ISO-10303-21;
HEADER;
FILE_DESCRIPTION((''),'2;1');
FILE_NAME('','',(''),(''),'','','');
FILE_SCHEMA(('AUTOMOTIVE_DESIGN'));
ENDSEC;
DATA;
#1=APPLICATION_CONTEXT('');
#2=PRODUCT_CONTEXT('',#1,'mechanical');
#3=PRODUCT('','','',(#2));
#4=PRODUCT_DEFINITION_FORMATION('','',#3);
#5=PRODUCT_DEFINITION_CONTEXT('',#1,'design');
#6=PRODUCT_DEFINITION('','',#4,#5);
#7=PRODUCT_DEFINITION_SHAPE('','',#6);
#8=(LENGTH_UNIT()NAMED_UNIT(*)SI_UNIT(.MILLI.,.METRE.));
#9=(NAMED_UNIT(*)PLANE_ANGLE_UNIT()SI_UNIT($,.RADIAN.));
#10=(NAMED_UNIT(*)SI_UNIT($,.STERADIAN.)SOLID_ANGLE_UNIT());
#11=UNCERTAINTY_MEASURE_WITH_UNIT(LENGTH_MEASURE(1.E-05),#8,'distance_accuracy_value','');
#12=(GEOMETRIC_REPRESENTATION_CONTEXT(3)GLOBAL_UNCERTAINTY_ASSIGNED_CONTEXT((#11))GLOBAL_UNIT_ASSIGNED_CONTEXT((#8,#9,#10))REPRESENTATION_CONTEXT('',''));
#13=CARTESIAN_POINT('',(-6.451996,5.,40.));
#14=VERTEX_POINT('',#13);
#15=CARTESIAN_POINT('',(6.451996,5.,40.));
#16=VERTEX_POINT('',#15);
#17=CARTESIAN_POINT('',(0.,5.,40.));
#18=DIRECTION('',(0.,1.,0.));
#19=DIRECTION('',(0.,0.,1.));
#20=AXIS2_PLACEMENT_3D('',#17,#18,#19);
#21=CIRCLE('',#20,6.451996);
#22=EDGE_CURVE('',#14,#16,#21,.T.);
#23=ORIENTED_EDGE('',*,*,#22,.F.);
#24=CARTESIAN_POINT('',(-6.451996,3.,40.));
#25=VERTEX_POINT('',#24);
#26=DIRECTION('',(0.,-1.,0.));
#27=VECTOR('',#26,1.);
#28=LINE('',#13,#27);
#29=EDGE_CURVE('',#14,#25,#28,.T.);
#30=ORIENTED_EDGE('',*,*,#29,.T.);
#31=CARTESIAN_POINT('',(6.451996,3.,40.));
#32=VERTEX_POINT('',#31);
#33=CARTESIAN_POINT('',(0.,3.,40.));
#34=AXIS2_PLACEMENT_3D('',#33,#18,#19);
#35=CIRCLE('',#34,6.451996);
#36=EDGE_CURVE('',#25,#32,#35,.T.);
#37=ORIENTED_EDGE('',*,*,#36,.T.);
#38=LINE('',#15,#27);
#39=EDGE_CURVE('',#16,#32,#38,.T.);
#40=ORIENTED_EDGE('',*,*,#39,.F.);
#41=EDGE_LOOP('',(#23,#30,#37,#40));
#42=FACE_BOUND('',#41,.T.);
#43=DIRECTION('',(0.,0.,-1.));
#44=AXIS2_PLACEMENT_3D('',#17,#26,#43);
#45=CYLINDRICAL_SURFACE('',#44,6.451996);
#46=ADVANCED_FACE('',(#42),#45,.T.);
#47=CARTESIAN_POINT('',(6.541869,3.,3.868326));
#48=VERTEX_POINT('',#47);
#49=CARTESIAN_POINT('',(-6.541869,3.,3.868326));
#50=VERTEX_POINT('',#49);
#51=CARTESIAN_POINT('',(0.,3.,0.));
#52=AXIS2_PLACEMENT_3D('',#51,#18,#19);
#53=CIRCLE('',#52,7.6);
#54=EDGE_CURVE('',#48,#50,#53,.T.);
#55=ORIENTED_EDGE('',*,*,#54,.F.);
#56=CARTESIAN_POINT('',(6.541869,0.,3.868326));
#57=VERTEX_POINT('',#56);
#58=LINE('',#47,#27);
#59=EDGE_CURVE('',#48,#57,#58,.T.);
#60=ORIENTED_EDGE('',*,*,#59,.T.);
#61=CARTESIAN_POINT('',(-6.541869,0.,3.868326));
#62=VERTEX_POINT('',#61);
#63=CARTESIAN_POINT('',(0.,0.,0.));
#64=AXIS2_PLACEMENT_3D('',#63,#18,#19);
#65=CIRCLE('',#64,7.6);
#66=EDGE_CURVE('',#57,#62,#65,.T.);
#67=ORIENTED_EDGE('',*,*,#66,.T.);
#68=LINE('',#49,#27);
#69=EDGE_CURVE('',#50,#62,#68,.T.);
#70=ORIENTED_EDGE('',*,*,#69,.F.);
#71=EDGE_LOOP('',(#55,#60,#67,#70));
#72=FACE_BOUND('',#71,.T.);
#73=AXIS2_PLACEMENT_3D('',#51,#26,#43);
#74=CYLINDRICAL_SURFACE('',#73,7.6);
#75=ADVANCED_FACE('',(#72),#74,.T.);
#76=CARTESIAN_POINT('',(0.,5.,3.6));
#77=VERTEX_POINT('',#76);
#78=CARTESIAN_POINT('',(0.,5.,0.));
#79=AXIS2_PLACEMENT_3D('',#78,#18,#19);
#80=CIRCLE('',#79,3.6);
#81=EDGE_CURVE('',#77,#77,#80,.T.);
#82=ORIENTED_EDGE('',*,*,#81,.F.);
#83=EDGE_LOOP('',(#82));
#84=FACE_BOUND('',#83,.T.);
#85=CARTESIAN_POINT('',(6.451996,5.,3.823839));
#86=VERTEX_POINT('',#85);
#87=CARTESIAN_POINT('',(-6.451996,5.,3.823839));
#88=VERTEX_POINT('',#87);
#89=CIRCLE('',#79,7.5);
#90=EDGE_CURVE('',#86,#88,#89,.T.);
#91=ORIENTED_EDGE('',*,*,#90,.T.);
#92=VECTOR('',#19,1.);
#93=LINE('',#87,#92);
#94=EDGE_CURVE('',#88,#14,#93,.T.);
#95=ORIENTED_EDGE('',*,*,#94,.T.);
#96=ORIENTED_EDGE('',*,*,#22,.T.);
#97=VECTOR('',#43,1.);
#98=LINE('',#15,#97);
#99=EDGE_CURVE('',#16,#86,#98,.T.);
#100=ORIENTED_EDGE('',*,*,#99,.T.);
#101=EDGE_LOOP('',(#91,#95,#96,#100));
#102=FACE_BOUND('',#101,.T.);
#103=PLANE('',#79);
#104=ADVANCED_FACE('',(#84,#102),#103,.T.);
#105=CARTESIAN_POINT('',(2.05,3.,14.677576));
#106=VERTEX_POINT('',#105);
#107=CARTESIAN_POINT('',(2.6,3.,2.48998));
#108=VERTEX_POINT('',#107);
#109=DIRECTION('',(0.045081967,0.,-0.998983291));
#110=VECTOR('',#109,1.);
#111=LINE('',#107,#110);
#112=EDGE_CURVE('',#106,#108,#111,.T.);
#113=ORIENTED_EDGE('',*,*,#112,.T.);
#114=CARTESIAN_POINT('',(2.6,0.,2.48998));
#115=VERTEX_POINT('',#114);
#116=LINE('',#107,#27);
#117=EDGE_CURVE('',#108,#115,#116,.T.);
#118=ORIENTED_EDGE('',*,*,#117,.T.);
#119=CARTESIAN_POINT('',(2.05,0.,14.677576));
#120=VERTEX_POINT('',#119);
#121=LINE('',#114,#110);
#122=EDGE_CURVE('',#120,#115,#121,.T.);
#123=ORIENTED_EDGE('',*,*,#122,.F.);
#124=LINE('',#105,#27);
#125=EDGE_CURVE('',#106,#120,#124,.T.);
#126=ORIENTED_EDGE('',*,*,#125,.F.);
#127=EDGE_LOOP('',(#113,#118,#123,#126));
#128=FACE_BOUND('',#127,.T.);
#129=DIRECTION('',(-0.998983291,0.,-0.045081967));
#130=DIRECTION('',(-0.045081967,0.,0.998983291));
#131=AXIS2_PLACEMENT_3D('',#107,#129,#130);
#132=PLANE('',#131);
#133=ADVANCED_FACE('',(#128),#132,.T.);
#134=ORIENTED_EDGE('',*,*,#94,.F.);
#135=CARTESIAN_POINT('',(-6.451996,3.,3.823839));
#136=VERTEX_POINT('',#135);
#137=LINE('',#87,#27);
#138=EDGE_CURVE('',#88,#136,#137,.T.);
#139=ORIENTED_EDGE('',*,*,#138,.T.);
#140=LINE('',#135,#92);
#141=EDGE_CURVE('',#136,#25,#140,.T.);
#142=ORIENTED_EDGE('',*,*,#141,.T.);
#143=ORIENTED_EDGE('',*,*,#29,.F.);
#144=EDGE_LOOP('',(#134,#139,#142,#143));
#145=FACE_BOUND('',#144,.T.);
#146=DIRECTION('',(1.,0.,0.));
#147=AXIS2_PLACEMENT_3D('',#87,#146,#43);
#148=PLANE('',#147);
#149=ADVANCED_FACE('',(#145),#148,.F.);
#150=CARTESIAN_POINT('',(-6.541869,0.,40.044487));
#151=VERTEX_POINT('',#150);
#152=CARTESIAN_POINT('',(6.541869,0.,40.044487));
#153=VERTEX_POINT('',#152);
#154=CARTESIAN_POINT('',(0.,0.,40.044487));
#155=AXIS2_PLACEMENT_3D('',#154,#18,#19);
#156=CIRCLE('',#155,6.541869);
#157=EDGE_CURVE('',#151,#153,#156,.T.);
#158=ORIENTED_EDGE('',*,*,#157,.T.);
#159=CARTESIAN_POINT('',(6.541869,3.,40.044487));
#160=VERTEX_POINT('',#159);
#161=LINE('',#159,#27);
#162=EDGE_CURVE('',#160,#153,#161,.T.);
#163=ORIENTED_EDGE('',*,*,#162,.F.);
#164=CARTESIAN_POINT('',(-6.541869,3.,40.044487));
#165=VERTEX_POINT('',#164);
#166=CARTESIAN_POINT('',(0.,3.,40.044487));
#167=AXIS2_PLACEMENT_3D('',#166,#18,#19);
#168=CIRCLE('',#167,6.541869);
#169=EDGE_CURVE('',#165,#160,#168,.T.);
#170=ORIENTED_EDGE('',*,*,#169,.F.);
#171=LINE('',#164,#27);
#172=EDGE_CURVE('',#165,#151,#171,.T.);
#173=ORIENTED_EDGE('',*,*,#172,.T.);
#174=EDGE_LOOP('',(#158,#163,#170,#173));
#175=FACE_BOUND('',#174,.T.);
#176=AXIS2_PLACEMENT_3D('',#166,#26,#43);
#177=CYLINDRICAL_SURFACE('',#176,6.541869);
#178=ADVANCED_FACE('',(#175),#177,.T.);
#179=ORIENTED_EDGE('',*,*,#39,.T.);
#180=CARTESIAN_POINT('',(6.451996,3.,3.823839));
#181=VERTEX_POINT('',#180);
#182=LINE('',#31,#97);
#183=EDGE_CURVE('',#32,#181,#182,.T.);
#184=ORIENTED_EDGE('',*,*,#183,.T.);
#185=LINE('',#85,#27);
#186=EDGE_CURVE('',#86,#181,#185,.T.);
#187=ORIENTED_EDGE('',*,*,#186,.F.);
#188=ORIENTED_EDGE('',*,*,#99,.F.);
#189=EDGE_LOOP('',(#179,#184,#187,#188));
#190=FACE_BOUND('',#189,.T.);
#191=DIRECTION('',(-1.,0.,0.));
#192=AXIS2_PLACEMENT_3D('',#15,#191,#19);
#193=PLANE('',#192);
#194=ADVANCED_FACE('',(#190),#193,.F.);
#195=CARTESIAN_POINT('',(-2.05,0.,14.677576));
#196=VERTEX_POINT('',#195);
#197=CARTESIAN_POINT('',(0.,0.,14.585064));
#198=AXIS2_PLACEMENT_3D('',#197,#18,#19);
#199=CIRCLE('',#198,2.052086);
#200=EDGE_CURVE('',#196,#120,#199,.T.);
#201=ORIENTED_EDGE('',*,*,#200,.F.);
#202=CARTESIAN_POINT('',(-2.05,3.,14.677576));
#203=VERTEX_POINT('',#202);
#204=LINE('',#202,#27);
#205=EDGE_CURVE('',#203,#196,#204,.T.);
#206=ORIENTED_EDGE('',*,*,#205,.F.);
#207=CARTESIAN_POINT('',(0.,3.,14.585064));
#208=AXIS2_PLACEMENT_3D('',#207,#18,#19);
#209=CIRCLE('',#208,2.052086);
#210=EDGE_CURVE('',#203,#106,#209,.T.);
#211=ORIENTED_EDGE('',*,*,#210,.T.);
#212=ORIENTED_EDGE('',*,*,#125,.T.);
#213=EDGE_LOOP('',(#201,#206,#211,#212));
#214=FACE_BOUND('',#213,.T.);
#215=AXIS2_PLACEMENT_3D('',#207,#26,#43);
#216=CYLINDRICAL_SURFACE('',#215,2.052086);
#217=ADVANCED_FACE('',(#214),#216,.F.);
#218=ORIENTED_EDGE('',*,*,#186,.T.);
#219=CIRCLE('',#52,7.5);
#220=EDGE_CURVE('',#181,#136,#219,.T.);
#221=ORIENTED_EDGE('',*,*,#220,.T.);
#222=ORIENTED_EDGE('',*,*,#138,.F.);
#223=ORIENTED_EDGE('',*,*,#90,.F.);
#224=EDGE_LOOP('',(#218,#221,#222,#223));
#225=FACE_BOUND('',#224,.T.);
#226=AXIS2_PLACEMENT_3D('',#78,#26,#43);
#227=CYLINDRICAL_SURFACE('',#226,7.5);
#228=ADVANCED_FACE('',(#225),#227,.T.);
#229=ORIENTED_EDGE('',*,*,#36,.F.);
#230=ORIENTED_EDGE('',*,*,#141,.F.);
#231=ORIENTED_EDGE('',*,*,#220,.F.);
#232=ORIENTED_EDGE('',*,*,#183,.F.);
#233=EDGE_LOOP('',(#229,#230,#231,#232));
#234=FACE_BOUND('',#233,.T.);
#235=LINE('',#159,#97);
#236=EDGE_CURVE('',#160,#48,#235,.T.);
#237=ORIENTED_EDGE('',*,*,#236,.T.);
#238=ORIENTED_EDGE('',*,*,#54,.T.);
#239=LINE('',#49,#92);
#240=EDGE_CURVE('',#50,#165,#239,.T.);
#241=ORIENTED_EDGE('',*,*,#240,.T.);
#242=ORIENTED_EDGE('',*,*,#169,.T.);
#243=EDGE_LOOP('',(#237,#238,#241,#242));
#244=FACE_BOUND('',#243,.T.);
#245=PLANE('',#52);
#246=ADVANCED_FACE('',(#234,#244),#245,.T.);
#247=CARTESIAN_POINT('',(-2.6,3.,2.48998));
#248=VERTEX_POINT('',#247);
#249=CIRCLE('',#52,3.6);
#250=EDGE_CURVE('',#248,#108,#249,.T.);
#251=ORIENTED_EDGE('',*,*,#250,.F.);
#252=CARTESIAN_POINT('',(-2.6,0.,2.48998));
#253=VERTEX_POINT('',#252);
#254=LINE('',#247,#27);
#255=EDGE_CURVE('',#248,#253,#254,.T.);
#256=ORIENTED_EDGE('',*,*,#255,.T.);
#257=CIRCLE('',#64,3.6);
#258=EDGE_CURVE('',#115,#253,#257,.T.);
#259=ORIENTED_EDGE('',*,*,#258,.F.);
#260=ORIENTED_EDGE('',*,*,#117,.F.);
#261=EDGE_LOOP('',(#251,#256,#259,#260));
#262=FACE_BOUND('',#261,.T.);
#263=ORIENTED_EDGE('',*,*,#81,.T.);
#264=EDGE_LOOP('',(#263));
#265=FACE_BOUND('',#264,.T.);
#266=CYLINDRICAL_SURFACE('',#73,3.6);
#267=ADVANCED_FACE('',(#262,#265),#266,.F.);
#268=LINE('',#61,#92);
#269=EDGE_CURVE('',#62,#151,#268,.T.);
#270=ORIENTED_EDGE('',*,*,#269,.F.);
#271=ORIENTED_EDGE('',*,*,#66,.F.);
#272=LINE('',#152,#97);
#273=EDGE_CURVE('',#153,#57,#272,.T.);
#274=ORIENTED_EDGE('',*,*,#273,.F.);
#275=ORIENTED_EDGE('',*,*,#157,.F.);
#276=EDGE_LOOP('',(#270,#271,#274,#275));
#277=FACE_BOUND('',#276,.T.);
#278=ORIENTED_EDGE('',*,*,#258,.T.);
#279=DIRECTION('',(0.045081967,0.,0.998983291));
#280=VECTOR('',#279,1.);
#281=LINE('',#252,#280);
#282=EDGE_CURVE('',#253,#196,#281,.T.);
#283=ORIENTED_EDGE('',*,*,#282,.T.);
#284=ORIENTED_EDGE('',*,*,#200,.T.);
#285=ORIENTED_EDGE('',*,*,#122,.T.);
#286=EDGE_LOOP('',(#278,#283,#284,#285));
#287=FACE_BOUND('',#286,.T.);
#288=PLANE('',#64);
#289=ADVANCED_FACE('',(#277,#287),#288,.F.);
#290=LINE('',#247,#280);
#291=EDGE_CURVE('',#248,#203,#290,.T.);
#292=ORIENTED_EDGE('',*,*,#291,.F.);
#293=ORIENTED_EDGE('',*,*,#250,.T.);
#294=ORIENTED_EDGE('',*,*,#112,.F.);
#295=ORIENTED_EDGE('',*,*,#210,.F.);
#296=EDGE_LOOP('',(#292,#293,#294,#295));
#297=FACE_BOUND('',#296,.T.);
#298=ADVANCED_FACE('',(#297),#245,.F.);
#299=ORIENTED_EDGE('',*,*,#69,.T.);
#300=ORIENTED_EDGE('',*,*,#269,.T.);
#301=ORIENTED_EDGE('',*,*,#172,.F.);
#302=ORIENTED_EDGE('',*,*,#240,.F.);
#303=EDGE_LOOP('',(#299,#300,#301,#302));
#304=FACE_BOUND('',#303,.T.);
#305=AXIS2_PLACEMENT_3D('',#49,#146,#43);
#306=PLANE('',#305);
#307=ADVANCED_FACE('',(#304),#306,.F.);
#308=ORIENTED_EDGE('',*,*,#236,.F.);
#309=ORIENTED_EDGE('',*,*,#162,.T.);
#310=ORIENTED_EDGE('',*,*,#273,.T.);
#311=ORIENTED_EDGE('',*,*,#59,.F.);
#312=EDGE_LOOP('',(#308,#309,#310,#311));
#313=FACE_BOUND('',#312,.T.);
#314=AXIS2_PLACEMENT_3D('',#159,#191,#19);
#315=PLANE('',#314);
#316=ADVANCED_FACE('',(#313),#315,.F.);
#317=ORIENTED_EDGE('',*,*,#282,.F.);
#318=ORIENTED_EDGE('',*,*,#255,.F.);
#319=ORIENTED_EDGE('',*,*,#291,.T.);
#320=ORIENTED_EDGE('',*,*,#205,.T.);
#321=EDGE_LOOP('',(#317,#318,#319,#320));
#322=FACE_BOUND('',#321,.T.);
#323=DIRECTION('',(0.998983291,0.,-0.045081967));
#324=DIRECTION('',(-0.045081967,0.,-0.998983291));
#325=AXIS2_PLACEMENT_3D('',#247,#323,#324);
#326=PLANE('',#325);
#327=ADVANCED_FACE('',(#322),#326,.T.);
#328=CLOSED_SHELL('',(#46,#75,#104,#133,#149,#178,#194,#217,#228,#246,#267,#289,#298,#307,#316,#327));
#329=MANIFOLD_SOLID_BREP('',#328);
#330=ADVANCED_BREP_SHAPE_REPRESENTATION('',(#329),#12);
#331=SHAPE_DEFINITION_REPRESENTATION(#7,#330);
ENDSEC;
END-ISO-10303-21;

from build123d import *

# Parameters (mm, degrees)
EXTRUDE_1_DEPTH = 3
SKETCH_2_R      = 3.6
EXTRUDE_2_DEPTH = 2


with BuildPart() as part:
    # 草圖1 → 填料-伸長1 (new body)
    with BuildSketch(Plane(origin=(0, 0, 0), x_dir=(1, 0, 0), z_dir=(0, 1, 0))):
        with BuildLine():
            Line((-6.54186917, -3.868326222), (-6.54186917, -40.044486982))
            ThreePointArc((-6.54186917, -40.044486982), (0, -46.586356152), (6.54186917, -40.044486982))
            Line((6.54186917, -40.044486982), (6.54186917, -3.868326222))
            ThreePointArc((6.54186917, -3.868326222), (0, 7.6), (-6.54186917, -3.868326222))
        make_face()
        with BuildLine():
            Line((-2.6, -2.48997992), (-2.05, -14.677576073))
            ThreePointArc((-2.05, -14.677576073), (0, -16.637150357), (2.05, -14.677576073))
            Line((2.05, -14.677576073), (2.6, -2.48997992))
            ThreePointArc((2.6, -2.48997992), (0, 3.6), (-2.6, -2.48997992))
        make_face(mode=Mode.SUBTRACT)
    extrude(amount=EXTRUDE_1_DEPTH)

    # 草圖2 → 填料-伸長2 (add)
    with BuildSketch(Plane(origin=(0, 3, 0), x_dir=(1, 0, 0), z_dir=(0, 1, 0))):
        with BuildLine():
            Line((-6.451996083, -3.823839241), (-6.451996083, -40))
            ThreePointArc((-6.451996083, -40), (0, -46.451996083), (6.451996083, -40))
            Line((6.451996083, -40), (6.451996083, -3.823839241))
            ThreePointArc((6.451996083, -3.823839241), (0, 7.5), (-6.451996083, -3.823839241))
        make_face()
        Circle(SKETCH_2_R, mode=Mode.SUBTRACT)
    extrude(amount=EXTRUDE_2_DEPTH)


solid = part.part
